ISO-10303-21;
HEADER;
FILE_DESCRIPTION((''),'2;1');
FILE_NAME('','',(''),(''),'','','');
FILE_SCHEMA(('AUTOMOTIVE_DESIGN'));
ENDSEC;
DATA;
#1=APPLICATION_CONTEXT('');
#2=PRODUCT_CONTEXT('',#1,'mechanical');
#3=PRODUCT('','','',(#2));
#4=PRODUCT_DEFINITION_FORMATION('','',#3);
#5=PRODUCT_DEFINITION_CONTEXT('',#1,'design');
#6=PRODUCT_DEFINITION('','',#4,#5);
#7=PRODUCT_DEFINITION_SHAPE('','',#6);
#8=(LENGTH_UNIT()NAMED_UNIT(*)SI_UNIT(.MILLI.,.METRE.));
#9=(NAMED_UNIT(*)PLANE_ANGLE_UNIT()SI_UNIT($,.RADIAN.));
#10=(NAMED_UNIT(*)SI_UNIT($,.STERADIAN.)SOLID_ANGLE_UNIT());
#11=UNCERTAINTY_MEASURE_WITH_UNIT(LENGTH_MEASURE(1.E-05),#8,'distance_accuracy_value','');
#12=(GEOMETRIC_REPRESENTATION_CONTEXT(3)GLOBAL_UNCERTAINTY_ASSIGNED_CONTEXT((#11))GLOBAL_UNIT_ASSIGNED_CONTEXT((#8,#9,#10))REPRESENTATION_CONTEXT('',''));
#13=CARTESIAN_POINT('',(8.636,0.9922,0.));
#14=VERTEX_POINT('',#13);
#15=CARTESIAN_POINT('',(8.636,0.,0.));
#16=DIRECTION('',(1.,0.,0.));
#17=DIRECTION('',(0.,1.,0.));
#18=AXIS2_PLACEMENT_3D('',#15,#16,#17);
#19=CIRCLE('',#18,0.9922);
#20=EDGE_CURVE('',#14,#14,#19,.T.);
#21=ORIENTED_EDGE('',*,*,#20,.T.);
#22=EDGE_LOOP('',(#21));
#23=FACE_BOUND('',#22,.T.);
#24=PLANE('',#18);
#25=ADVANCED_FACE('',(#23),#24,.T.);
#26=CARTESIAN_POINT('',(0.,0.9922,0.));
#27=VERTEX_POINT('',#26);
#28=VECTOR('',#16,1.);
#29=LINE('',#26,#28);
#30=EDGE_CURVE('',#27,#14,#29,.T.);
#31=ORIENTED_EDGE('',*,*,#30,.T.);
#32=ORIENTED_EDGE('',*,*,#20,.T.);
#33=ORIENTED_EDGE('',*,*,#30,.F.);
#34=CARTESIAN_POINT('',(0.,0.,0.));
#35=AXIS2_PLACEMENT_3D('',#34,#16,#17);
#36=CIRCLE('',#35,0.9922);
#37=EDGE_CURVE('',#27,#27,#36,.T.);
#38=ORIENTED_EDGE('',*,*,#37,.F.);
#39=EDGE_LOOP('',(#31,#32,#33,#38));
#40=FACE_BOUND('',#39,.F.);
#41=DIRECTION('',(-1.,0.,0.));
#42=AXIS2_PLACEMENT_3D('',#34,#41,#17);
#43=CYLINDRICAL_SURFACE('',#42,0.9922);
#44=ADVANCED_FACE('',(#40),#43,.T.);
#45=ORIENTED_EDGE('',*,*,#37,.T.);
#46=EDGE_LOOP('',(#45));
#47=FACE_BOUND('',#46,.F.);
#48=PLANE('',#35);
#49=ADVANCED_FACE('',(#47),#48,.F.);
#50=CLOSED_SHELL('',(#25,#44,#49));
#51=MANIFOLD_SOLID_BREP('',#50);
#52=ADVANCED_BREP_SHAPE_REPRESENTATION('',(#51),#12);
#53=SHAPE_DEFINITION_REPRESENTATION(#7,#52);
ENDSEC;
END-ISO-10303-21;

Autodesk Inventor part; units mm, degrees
ref_plane "YZ Plane" through (0, 0, 0) normal (1, 0, 0) x (0, 1, 0)
ref_plane "XZ Plane" through (0, 0, 0) normal (0, 1, 0) x (-1, 0, 0)
ref_plane "XY Plane" through (0, 0, 0) normal (0, 0, 1) x (1, 0, 0)
sketch "Sketch1" plane through (0, 0, 0) normal (1, 0, 0) x (0, 1, 0)
  circle A0 centre (0, 0) radius 0.9922
  dimension "d0" = 1.9844
extrude "Extrusion1" add sketch "Sketch1" along normal blind 8.636
properties part number "Crankshaft Crank"
